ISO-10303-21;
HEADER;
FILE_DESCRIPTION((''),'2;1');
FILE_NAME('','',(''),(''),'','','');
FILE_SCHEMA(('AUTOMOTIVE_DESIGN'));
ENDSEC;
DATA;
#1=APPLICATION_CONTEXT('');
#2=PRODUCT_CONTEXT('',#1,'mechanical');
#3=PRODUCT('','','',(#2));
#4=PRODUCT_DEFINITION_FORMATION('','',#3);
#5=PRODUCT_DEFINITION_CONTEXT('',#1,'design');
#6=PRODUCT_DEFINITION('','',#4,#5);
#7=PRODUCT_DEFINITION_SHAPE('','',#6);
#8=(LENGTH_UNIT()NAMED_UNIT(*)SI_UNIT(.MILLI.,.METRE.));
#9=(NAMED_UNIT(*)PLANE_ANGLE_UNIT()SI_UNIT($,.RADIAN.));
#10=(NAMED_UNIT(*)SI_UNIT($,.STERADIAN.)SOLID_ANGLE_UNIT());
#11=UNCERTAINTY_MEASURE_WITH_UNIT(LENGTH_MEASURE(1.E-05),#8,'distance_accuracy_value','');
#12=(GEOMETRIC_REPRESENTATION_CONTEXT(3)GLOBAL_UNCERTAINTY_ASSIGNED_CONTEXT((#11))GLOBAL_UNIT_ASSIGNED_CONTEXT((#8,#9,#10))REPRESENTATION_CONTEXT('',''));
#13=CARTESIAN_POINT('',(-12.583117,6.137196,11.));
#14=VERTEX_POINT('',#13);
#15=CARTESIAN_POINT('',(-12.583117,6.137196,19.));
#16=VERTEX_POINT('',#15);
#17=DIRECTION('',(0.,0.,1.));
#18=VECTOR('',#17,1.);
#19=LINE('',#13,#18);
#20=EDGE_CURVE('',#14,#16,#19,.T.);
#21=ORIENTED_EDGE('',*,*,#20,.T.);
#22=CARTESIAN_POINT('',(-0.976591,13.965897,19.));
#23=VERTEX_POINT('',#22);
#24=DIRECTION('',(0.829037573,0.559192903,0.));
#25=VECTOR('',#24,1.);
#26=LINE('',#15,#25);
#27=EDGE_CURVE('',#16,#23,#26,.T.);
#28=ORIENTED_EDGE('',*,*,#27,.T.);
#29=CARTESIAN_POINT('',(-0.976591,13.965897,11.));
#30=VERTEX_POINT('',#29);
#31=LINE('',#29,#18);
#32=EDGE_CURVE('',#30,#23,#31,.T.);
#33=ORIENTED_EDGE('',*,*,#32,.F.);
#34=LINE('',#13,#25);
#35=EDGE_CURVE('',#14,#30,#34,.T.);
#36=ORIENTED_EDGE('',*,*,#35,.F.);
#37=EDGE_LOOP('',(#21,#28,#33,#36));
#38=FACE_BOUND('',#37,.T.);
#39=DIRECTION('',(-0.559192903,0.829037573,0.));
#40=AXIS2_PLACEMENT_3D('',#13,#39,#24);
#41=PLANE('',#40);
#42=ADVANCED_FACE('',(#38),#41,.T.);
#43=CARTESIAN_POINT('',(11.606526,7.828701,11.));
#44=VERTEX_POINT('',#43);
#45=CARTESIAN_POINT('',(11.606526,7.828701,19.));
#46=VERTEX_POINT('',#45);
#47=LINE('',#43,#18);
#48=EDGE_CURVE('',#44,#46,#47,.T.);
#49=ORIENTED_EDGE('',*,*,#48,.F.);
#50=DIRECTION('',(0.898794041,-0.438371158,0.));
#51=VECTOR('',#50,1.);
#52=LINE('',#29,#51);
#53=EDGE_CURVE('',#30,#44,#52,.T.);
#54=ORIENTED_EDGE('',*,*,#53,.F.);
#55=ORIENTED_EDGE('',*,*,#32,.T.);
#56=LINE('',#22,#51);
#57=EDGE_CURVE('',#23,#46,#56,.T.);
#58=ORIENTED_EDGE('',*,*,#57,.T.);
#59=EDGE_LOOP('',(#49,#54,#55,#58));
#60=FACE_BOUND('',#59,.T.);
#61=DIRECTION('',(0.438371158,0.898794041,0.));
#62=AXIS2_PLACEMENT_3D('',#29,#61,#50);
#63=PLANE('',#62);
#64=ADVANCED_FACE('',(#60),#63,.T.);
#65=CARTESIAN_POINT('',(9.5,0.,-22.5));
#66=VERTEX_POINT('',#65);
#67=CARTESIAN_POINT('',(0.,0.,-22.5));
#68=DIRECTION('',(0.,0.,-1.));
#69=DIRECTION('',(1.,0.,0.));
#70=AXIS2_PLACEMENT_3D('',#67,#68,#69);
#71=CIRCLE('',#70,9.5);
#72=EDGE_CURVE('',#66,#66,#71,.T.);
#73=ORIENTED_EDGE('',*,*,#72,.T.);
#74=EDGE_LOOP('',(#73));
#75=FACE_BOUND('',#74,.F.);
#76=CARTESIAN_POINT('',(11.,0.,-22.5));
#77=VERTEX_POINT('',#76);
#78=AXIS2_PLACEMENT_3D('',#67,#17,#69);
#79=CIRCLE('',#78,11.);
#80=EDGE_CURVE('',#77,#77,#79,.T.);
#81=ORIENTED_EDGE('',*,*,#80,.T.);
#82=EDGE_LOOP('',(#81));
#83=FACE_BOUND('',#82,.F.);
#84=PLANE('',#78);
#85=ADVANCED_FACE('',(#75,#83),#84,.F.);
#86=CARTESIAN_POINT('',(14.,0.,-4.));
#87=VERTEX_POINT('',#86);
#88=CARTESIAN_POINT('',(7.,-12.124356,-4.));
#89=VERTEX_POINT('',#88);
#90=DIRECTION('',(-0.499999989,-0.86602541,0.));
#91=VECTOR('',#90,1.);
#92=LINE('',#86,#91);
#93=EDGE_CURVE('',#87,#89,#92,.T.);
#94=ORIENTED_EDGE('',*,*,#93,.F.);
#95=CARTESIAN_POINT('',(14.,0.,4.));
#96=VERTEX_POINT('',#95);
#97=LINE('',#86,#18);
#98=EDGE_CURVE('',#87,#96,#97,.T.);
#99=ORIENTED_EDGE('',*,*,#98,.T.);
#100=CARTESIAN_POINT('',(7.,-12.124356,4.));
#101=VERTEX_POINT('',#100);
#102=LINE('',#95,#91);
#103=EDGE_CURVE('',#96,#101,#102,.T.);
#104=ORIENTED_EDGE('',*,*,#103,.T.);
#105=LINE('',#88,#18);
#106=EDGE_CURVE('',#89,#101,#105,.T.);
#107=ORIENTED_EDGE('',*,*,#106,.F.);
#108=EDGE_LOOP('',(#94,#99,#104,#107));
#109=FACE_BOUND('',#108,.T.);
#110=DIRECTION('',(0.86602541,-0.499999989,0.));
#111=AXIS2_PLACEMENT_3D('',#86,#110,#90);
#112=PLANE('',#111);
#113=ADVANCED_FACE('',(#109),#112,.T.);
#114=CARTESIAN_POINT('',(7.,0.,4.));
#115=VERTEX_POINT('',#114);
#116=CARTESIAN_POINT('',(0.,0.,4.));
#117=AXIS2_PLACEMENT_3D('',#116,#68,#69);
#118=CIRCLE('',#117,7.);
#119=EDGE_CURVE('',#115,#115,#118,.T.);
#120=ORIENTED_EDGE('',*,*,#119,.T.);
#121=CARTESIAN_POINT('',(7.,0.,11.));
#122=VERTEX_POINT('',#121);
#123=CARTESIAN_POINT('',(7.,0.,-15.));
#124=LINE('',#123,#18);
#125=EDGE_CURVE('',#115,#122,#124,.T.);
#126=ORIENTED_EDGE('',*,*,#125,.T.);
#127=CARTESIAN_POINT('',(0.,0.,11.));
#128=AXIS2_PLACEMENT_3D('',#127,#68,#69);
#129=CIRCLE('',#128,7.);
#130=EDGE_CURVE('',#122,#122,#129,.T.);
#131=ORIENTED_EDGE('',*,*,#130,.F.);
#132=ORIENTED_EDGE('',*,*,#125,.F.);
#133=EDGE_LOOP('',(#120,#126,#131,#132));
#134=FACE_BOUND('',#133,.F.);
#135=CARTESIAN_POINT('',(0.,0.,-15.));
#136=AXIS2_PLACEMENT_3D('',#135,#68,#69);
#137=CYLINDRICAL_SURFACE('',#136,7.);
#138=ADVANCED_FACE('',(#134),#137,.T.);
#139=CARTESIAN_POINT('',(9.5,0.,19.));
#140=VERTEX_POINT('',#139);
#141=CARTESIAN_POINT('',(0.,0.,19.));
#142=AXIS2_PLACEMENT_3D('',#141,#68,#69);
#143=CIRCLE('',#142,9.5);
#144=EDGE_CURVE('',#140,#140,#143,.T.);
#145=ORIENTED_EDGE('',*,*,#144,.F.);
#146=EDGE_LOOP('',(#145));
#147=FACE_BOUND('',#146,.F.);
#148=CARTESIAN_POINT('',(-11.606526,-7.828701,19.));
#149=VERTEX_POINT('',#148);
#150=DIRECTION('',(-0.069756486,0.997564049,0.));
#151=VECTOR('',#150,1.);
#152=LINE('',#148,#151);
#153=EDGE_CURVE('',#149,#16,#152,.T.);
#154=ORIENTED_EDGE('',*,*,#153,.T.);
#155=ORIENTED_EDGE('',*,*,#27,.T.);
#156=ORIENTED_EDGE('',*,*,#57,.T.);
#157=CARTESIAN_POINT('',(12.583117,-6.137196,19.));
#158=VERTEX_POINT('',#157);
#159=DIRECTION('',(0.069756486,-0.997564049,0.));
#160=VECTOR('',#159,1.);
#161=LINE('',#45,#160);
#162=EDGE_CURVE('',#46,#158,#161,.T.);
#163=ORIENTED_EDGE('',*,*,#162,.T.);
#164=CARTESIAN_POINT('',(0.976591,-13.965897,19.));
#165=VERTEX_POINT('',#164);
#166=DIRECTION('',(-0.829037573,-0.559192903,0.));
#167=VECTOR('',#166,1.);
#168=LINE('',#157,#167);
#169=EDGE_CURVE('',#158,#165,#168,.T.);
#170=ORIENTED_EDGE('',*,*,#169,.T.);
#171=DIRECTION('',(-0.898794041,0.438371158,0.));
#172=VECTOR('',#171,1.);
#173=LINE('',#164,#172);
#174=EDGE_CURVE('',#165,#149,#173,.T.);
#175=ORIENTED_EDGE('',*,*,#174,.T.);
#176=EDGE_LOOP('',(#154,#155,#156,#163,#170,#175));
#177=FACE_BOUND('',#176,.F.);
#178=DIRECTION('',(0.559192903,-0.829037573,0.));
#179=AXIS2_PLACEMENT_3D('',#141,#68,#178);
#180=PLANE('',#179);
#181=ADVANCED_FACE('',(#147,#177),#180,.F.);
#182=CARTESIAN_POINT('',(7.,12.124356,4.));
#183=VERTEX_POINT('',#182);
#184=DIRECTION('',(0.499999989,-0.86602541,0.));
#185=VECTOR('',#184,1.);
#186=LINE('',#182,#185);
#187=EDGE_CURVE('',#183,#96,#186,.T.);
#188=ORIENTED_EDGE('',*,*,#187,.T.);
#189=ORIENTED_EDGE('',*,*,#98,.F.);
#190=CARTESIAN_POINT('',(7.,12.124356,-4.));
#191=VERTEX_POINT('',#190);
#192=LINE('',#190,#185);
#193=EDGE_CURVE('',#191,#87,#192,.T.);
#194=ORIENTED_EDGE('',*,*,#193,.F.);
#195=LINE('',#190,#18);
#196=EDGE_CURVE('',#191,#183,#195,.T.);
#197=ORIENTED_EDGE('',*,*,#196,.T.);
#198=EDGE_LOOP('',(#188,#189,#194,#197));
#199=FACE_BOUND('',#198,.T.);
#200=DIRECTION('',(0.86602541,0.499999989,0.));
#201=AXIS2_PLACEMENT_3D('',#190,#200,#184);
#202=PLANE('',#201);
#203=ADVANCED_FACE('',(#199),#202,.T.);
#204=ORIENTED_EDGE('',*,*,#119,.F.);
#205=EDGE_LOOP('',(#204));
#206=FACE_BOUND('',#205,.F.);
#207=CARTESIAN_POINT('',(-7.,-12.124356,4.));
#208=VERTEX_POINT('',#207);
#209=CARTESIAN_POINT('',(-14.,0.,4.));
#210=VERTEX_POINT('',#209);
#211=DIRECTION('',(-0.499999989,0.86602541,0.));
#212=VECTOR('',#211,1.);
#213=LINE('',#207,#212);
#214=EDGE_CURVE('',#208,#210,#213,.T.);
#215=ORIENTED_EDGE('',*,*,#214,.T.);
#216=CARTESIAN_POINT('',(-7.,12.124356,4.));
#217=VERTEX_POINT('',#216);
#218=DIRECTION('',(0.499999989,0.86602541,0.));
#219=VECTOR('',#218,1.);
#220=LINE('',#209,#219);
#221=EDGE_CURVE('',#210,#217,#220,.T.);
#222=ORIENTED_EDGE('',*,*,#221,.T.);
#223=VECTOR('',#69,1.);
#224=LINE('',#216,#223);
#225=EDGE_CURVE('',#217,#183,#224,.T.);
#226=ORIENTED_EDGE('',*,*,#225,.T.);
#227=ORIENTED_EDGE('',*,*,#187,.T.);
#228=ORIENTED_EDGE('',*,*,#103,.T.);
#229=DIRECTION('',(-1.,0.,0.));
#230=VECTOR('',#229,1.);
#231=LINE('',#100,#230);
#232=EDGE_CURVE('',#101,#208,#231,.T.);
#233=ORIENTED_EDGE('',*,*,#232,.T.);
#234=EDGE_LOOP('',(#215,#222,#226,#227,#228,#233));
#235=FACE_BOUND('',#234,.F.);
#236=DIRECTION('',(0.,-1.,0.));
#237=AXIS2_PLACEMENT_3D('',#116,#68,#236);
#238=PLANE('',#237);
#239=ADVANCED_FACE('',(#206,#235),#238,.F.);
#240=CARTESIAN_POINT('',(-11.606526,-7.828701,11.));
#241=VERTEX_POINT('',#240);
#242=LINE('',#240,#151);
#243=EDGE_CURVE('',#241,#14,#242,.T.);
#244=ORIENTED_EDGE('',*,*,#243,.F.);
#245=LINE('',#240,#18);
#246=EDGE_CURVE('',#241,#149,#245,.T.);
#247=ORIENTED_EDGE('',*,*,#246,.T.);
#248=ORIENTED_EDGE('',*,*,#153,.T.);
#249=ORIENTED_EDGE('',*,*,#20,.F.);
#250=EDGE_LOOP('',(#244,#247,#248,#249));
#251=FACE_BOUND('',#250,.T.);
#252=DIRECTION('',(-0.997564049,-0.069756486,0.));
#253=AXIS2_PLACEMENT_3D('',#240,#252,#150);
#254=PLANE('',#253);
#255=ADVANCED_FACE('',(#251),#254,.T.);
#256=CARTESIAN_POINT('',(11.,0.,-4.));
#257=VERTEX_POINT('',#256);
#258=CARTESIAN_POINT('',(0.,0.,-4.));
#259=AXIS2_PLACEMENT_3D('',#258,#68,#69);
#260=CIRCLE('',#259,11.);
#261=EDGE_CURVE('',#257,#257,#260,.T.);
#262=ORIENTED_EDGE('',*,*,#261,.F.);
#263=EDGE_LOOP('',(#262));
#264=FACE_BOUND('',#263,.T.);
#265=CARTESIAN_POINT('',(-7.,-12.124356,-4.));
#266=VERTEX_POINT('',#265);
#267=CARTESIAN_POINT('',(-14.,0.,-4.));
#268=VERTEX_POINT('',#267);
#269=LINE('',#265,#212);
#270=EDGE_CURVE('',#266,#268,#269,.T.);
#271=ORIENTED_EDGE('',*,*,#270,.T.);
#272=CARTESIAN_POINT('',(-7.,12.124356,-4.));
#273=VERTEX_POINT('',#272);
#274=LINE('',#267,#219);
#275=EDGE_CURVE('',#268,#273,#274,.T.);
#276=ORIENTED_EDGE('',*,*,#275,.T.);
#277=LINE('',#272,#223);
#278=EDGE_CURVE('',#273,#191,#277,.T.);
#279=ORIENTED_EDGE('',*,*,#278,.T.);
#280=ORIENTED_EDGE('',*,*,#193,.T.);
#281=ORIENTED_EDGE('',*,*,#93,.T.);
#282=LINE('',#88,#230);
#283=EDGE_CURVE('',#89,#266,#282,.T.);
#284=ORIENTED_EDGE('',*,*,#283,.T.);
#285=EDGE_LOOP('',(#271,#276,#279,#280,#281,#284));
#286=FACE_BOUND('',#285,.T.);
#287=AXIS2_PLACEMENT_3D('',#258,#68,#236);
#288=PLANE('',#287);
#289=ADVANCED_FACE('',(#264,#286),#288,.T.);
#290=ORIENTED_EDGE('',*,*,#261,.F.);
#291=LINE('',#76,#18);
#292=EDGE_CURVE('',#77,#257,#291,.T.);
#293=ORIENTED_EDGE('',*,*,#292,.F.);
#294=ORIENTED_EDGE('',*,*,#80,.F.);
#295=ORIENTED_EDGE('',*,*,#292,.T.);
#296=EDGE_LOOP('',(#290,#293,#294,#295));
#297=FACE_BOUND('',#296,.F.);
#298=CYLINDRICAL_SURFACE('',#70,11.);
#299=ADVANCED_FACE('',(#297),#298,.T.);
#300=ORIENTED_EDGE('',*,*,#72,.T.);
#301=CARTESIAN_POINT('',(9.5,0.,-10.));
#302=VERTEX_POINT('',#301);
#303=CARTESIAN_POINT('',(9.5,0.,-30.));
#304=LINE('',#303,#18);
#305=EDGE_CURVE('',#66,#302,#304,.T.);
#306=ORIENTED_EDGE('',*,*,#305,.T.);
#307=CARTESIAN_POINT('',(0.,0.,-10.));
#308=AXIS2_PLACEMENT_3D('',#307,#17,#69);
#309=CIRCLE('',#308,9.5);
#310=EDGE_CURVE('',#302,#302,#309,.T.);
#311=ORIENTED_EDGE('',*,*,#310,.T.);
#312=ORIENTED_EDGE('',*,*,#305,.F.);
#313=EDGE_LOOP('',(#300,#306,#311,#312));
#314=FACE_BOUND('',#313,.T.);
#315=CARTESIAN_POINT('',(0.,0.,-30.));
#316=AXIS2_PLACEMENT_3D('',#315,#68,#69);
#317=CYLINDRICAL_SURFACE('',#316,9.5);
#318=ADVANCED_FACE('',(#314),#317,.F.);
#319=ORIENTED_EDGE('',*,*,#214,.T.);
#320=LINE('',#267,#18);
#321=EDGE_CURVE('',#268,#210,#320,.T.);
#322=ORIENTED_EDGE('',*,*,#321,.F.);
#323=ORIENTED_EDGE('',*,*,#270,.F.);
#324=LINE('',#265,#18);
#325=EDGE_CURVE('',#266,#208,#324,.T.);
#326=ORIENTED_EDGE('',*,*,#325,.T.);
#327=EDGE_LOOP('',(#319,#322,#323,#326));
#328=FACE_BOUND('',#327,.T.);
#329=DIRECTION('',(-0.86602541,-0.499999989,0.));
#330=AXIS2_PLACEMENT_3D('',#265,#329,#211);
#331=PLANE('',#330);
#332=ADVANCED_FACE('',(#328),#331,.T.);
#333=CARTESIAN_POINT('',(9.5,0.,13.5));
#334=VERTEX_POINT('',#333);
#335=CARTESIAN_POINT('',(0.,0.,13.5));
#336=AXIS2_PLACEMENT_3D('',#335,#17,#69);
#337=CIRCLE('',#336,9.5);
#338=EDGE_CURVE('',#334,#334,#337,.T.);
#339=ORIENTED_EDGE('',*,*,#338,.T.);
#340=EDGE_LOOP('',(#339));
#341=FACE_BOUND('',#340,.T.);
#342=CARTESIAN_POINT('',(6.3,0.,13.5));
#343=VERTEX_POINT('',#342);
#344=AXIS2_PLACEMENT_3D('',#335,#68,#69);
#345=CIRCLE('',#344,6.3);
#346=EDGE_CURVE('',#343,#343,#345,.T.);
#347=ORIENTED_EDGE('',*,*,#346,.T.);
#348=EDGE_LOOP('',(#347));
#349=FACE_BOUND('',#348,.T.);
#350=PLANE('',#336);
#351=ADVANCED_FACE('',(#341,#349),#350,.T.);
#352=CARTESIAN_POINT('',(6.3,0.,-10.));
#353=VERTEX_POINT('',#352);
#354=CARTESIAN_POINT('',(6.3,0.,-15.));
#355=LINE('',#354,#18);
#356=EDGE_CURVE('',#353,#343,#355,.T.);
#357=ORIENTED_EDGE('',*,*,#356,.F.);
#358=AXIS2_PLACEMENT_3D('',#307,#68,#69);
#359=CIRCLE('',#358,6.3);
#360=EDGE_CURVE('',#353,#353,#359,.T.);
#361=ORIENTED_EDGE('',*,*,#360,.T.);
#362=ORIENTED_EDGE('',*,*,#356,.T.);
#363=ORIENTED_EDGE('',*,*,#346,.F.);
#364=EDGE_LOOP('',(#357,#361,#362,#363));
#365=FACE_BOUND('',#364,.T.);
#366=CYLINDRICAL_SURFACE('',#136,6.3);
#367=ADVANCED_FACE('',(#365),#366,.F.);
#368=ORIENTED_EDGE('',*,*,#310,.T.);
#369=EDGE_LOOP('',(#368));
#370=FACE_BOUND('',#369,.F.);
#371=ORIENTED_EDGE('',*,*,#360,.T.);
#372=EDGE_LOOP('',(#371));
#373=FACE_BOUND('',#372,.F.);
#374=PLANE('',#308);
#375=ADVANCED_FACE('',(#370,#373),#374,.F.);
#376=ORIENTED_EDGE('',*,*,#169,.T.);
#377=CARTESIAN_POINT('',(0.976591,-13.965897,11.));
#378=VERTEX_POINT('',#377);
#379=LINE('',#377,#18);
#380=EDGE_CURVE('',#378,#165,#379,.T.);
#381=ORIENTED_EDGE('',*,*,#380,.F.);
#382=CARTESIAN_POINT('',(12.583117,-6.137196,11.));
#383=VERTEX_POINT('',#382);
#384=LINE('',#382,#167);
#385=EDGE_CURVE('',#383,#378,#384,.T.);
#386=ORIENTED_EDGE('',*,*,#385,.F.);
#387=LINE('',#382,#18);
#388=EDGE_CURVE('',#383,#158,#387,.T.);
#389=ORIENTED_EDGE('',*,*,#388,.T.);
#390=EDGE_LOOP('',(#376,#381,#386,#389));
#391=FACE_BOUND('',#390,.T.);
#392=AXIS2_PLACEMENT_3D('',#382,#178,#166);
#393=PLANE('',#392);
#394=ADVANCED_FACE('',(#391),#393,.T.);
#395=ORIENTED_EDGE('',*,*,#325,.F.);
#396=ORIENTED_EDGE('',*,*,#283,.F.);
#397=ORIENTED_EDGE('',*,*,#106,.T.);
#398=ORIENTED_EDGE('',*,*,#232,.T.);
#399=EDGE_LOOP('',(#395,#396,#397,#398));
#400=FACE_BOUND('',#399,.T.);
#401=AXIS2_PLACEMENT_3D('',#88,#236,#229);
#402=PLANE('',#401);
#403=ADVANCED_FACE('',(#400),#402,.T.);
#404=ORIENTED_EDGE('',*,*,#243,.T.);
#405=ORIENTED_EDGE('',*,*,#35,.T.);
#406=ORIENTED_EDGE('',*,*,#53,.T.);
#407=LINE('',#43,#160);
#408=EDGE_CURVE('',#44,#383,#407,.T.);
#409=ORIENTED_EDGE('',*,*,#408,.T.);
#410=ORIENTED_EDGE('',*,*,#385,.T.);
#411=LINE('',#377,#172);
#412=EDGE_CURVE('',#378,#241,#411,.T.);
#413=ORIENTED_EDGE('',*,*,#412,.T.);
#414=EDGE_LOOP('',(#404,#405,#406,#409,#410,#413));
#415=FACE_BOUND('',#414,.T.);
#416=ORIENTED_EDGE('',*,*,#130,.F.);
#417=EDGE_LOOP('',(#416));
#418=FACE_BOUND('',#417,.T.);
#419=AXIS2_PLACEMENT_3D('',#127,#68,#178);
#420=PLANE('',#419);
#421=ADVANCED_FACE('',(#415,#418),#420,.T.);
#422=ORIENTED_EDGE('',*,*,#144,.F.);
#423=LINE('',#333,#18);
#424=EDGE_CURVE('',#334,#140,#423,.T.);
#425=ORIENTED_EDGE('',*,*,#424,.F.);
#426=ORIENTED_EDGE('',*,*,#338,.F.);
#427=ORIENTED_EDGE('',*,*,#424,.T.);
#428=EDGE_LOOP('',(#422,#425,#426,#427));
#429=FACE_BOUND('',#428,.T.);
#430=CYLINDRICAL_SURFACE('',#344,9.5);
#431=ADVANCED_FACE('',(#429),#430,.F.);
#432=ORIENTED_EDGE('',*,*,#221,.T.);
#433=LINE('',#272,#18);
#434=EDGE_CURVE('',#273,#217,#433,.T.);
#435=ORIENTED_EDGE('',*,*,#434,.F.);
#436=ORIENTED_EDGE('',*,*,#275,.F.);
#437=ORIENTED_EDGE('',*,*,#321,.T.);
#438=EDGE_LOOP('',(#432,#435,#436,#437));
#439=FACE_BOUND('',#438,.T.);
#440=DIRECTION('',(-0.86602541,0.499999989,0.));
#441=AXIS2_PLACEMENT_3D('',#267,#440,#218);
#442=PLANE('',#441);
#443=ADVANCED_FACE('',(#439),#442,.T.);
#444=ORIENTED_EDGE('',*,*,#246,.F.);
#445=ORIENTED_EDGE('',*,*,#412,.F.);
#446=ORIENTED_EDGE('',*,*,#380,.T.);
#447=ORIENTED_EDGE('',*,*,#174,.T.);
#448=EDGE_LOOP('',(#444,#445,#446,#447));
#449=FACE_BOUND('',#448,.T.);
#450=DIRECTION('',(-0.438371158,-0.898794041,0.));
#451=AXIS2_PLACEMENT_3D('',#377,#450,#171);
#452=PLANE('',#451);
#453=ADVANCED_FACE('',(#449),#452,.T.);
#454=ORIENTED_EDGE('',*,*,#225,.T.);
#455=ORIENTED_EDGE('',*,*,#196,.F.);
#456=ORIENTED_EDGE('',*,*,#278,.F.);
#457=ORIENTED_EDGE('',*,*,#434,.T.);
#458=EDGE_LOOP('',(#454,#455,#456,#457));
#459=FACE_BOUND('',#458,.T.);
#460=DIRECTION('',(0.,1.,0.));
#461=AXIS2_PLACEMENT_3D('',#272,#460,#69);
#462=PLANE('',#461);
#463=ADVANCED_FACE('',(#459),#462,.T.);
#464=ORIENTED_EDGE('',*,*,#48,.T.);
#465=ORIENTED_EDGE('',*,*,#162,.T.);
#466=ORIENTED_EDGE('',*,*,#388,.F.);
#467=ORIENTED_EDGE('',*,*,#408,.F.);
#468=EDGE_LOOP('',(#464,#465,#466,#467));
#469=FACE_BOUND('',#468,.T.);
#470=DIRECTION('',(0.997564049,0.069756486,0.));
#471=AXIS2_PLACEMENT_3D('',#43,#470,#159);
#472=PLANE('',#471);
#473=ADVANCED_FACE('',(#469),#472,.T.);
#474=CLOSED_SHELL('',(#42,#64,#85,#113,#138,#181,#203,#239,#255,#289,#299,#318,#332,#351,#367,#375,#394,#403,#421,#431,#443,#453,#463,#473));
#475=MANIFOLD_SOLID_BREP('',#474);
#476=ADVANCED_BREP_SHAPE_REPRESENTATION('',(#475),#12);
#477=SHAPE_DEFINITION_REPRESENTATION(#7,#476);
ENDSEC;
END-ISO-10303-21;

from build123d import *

# Parameters (mm, degrees)
CYLINDER008_R                    = 6.3
CYLINDER008_DEPTH                = 50
CYLINDER009_R                    = 9.5
CYLINDER009_DEPTH                = 13
CYLINDER007_R                    = 9.5
CYLINDER007_DEPTH                = 20
CYLINDER006_R                    = 7
CYLINDER006_DEPTH                = 30
LINEAREXTRUDE002_DEPTH           = 8
LINEAREXTRUDE003_DEPTH           = 8
LINEAREXTRUDE003_PLACEMENT_ANGLE = 34
CYLINDER005_R                    = 11
CYLINDER005_DEPTH                = 25
CYLINDER003_R                    = 6.3
CYLINDER003_DEPTH                = 50
CYLINDER004_R                    = 9.5
CYLINDER004_DEPTH                = 13
CYLINDER002_R                    = 9.5
CYLINDER002_DEPTH                = 20
CYLINDER001_R                    = 7
CYLINDER001_DEPTH                = 30
LINEAREXTRUDE_DEPTH              = 8
LINEAREXTRUDE001_DEPTH           = 8
LINEAREXTRUDE001_PLACEMENT_ANGLE = 34
CYLINDER_R                       = 11
CYLINDER_DEPTH                   = 25


with BuildPart() as cylinder008:
    # cylinder008 → cylinder008 (new body)
    with BuildSketch(Plane.XY.offset(-15)):
        Circle(CYLINDER008_R)
    extrude(amount=CYLINDER008_DEPTH)


with BuildPart() as cylinder009:
    # cylinder009 → cylinder009 (new body)
    with BuildSketch(Plane.XY.offset(13.5)):
        Circle(CYLINDER009_R)
    extrude(amount=CYLINDER009_DEPTH)


with BuildPart() as group003:
    # cylinder007 → cylinder007 (new body)
    with BuildSketch(Plane.XY.offset(-30)):
        Circle(CYLINDER007_R)
    extrude(amount=CYLINDER007_DEPTH)

    # Group003: union cylinder008, cylinder009
    add(cylinder008.part)
    add(cylinder009.part)


with BuildPart() as cylinder006:
    # cylinder006 → cylinder006 (new body)
    with BuildSketch(Plane.XY.offset(-15)):
        Circle(CYLINDER006_R)
    extrude(amount=CYLINDER006_DEPTH)


with BuildPart() as linearextrude002:
    # RefineLinearExtrude002 → LinearExtrude002 (new body)
    with BuildSketch(Plane(origin=(0, 0, 0), x_dir=(0, -1, 0), z_dir=(0, 0, -1))):
        Polygon((-12.124356, -7), (0, -14), (12.124356, -7), (12.124356, 7), (0, 14), (-12.124356, 7), align=None)
    extrude(amount=-LINEAREXTRUDE002_DEPTH)


with BuildPart() as linearextrude002_1:
    # LinearExtrude002 placement: moved
    add(linearextrude002.part.moved(Location((0, 0, -4))))


with BuildPart() as linearextrude003:
    # RefineLinearExtrude003 → LinearExtrude003 (new body)
    with BuildSketch(Plane(origin=(0, 0, 0), x_dir=(0, -1, 0), z_dir=(0, 0, -1))):
        Polygon((-12.124356, -7), (0, -14), (12.124356, -7), (12.124356, 7), (0, 14), (-12.124356, 7), align=None)
    extrude(amount=-LINEAREXTRUDE003_DEPTH)


with BuildPart() as linearextrude003_1:
    # LinearExtrude003 placement: moved
    add(linearextrude003.part.moved(Location((0, 0, 11))).rotate(Axis((0, 0, 11), (0, 0, 1)), LINEAREXTRUDE003_PLACEMENT_ANGLE))


with BuildPart() as difference001:
    # cylinder005 → cylinder005 (new body)
    with BuildSketch(Plane.XY.offset(-22.5)):
        Circle(CYLINDER005_R)
    extrude(amount=CYLINDER005_DEPTH)

    # Group002: union cylinder006, LinearExtrude002, LinearExtrude003
    add(cylinder006.part)
    add(linearextrude002_1.part)
    add(linearextrude003_1.part)

    # difference001: cut Group003
    add(group003.part, mode=Mode.SUBTRACT)


with BuildPart() as cylinder003:
    # cylinder003 → cylinder003 (new body)
    with BuildSketch(Plane.XY.offset(-15)):
        Circle(CYLINDER003_R)
    extrude(amount=CYLINDER003_DEPTH)


with BuildPart() as cylinder004:
    # cylinder004 → cylinder004 (new body)
    with BuildSketch(Plane.XY.offset(13.5)):
        Circle(CYLINDER004_R)
    extrude(amount=CYLINDER004_DEPTH)


with BuildPart() as group001:
    # cylinder002 → cylinder002 (new body)
    with BuildSketch(Plane.XY.offset(-30)):
        Circle(CYLINDER002_R)
    extrude(amount=CYLINDER002_DEPTH)

    # Group001: union cylinder003, cylinder004
    add(cylinder003.part)
    add(cylinder004.part)


with BuildPart() as cylinder001:
    # cylinder001 → cylinder001 (new body)
    with BuildSketch(Plane.XY.offset(-15)):
        Circle(CYLINDER001_R)
    extrude(amount=CYLINDER001_DEPTH)


with BuildPart() as linearextrude:
    # RefineLinearExtrude → LinearExtrude (new body)
    with BuildSketch(Plane(origin=(0, 0, 0), x_dir=(0, -1, 0), z_dir=(0, 0, -1))):
        Polygon((-12.124356, -7), (0, -14), (12.124356, -7), (12.124356, 7), (0, 14), (-12.124356, 7), align=None)
    extrude(amount=-LINEAREXTRUDE_DEPTH)


with BuildPart() as linearextrude_1:
    # LinearExtrude placement: moved
    add(linearextrude.part.moved(Location((0, 0, -4))))


with BuildPart() as linearextrude001:
    # RefineLinearExtrude001 → LinearExtrude001 (new body)
    with BuildSketch(Plane(origin=(0, 0, 0), x_dir=(0, -1, 0), z_dir=(0, 0, -1))):
        Polygon((-12.124356, -7), (0, -14), (12.124356, -7), (12.124356, 7), (0, 14), (-12.124356, 7), align=None)
    extrude(amount=-LINEAREXTRUDE001_DEPTH)


with BuildPart() as linearextrude001_1:
    # LinearExtrude001 placement: moved
    add(linearextrude001.part.moved(Location((0, 0, 11))).rotate(Axis((0, 0, 11), (0, 0, 1)), LINEAREXTRUDE001_PLACEMENT_ANGLE))


with BuildPart() as group004:
    # cylinder → cylinder (new body)
    with BuildSketch(Plane.XY.offset(-22.5)):
        Circle(CYLINDER_R)
    extrude(amount=CYLINDER_DEPTH)

    # Group: union cylinder001, LinearExtrude, LinearExtrude001
    add(cylinder001.part)
    add(linearextrude_1.part)
    add(linearextrude001_1.part)

    # difference: cut Group001
    add(group001.part, mode=Mode.SUBTRACT)

    # Group004: union difference001
    add(difference001.part)


solid = group004.part
